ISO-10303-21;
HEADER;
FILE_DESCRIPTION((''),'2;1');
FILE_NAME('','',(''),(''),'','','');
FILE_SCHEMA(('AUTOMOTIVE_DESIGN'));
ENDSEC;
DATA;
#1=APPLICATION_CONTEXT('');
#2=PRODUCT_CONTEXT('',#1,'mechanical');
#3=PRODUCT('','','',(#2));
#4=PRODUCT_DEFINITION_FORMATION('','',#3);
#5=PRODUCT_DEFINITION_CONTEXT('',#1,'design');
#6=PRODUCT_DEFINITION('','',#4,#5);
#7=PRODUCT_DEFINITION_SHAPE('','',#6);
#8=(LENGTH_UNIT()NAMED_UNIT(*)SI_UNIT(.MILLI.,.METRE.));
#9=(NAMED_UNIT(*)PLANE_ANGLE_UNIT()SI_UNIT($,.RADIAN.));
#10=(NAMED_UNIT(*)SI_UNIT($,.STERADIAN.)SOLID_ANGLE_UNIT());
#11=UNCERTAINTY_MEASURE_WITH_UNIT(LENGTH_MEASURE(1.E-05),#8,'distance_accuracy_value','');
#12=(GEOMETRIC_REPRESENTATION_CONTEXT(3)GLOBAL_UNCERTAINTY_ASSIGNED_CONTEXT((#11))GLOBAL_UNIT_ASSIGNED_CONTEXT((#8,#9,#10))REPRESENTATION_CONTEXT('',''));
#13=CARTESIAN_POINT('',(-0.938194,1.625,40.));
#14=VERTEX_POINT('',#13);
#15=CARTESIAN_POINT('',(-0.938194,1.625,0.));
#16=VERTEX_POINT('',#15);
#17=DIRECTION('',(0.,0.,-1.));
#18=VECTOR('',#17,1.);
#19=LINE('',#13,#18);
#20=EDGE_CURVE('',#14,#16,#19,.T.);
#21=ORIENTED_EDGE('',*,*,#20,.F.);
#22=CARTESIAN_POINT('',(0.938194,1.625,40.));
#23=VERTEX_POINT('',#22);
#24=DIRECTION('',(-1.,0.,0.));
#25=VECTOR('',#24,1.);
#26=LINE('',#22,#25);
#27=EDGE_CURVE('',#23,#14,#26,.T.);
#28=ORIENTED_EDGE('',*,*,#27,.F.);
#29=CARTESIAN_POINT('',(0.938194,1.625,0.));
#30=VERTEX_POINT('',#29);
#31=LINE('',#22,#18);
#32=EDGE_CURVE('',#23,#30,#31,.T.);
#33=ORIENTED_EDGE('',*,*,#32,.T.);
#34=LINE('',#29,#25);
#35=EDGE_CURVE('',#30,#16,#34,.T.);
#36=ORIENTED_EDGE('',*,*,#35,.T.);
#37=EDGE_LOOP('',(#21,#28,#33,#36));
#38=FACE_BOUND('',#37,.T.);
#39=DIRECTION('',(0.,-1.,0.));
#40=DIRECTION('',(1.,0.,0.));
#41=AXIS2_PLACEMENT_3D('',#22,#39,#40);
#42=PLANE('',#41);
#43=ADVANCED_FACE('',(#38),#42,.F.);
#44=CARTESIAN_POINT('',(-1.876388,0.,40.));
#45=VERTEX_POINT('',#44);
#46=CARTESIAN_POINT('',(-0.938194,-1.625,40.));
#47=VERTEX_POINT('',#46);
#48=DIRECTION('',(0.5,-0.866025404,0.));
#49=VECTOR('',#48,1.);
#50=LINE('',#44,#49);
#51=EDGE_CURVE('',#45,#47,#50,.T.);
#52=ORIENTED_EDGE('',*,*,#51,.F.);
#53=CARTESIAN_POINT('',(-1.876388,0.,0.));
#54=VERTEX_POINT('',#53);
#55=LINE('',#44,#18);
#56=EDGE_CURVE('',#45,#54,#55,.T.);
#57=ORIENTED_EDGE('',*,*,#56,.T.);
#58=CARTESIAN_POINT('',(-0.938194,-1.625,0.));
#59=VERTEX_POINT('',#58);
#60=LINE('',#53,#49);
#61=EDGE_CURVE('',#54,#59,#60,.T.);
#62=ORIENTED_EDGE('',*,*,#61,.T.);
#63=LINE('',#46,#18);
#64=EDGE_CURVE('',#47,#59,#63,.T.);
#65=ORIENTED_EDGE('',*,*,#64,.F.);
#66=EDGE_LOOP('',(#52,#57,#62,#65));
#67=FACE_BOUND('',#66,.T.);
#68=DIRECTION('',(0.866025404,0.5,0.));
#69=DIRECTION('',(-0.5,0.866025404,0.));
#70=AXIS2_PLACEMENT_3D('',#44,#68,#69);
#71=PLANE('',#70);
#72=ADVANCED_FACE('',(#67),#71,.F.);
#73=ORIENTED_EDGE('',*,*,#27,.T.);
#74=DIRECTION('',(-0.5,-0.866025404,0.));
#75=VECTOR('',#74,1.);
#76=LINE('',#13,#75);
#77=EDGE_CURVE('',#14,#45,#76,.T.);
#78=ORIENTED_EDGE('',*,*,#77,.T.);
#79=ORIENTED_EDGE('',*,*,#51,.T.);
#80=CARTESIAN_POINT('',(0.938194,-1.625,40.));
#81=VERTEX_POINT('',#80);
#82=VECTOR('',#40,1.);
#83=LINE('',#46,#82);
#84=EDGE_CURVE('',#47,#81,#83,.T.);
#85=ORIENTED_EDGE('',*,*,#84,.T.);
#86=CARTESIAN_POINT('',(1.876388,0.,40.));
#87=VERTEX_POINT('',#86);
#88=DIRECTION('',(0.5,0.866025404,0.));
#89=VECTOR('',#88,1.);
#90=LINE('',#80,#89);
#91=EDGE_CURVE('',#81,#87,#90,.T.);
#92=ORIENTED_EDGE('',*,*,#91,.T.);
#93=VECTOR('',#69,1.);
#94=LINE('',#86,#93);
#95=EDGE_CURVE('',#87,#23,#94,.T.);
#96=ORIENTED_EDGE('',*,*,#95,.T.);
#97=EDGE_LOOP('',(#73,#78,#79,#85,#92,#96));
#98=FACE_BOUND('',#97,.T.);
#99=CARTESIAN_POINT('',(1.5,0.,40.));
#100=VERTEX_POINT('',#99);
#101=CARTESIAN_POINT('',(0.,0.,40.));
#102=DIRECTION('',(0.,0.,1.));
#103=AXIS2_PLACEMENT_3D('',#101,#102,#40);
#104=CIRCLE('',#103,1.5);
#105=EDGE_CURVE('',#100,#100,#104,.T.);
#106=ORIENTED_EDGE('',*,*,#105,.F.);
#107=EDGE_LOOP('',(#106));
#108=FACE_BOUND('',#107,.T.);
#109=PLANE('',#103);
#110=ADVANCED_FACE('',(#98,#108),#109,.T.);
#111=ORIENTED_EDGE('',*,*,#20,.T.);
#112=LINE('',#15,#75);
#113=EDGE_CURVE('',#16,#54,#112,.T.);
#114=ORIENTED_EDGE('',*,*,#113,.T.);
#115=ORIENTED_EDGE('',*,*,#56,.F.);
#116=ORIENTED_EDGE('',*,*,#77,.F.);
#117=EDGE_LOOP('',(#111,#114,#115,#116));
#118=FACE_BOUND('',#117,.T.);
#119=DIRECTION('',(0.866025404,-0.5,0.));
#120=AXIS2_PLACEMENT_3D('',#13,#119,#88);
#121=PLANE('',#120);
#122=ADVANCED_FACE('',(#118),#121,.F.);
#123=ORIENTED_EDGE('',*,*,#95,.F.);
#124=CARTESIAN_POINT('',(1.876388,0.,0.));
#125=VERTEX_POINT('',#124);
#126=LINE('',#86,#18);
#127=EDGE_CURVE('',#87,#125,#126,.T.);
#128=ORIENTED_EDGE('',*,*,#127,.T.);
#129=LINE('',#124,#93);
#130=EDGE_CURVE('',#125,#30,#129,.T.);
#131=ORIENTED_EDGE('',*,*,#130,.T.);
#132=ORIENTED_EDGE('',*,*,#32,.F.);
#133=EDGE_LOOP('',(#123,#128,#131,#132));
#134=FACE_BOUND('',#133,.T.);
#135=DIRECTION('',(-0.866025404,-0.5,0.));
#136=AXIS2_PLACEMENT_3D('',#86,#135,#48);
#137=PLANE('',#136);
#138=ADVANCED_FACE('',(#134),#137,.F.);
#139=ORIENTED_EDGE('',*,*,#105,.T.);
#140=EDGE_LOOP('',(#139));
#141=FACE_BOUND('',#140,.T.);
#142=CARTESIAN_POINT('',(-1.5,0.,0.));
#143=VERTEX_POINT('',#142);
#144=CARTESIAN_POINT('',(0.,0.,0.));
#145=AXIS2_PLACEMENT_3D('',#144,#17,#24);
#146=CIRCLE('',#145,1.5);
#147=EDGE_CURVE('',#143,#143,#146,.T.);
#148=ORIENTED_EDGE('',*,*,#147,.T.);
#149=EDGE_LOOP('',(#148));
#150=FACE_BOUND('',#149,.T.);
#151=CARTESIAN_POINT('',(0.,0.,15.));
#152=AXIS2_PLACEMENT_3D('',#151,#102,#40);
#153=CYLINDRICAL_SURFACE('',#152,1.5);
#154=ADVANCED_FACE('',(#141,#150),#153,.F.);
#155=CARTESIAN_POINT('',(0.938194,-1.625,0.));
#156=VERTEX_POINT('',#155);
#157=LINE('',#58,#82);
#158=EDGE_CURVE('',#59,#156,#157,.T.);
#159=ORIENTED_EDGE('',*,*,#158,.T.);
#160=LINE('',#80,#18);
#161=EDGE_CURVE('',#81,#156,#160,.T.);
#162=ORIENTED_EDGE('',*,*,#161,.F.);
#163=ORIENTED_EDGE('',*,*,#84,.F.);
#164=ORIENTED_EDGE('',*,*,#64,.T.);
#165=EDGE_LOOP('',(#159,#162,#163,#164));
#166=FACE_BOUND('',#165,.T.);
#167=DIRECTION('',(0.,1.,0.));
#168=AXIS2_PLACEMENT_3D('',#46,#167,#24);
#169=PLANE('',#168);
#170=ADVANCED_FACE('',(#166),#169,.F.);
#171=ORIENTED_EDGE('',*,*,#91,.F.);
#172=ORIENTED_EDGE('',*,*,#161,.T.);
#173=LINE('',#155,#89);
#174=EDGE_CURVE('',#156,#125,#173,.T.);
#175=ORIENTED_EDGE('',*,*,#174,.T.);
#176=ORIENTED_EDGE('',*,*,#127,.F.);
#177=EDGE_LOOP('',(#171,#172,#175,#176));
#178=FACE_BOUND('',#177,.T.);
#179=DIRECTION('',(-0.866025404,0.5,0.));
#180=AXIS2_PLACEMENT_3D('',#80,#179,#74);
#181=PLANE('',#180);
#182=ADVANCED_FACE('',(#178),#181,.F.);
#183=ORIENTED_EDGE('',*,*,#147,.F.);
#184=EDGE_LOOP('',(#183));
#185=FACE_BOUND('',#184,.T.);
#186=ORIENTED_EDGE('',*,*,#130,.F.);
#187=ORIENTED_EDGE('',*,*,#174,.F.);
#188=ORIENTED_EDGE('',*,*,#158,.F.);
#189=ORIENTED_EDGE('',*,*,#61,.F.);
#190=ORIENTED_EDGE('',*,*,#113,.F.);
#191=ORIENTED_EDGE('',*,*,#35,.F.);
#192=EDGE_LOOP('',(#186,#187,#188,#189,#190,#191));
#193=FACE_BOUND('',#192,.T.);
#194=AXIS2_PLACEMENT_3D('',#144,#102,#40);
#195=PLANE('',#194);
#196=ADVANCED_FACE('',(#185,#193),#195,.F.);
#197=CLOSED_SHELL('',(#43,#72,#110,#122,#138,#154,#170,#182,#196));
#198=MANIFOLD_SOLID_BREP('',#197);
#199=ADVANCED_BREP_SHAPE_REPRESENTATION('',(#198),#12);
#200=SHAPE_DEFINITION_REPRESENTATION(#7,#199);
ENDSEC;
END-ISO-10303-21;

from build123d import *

# Parameters (mm, degrees)
BOSS_EXTRUDE1_DEPTH = 40
SKETCH3_R           = 1.5
CUT_EXTRUDE3_DEPTH  = 25
CUT_EXTRUDE4_START  = -25
SKETCH4_R           = 1.5
CUT_EXTRUDE4_DEPTH  = 25


with BuildPart() as part:
    # Sketch1 → Boss-Extrude1 (new body)
    with BuildSketch(Plane.XY):
        Polygon((1.876388375, 0), (0.938194187, 1.625), (-0.938194187, 1.625), (-1.876388375, 0), (-0.938194187, -1.625), (0.938194187, -1.625), align=None)
    extrude(amount=BOSS_EXTRUDE1_DEPTH)

    # Sketch3 → Cut-Extrude3 (cut)
    with BuildSketch(Plane.XY.offset(40)):
        Circle(SKETCH3_R)
    extrude(amount=-CUT_EXTRUDE3_DEPTH, mode=Mode.SUBTRACT)

    # Sketch4 → Cut-Extrude4 (cut)
    with BuildSketch(Plane(origin=(0, 0, 0), x_dir=(-1, 0, 0), z_dir=(0, 0, -1)).offset(CUT_EXTRUDE4_START)):
        with Locations(Location((0, 0, 0), (0, 0, 180))):
            Circle(SKETCH4_R)
    extrude(amount=CUT_EXTRUDE4_DEPTH, mode=Mode.SUBTRACT)


solid = part.part
